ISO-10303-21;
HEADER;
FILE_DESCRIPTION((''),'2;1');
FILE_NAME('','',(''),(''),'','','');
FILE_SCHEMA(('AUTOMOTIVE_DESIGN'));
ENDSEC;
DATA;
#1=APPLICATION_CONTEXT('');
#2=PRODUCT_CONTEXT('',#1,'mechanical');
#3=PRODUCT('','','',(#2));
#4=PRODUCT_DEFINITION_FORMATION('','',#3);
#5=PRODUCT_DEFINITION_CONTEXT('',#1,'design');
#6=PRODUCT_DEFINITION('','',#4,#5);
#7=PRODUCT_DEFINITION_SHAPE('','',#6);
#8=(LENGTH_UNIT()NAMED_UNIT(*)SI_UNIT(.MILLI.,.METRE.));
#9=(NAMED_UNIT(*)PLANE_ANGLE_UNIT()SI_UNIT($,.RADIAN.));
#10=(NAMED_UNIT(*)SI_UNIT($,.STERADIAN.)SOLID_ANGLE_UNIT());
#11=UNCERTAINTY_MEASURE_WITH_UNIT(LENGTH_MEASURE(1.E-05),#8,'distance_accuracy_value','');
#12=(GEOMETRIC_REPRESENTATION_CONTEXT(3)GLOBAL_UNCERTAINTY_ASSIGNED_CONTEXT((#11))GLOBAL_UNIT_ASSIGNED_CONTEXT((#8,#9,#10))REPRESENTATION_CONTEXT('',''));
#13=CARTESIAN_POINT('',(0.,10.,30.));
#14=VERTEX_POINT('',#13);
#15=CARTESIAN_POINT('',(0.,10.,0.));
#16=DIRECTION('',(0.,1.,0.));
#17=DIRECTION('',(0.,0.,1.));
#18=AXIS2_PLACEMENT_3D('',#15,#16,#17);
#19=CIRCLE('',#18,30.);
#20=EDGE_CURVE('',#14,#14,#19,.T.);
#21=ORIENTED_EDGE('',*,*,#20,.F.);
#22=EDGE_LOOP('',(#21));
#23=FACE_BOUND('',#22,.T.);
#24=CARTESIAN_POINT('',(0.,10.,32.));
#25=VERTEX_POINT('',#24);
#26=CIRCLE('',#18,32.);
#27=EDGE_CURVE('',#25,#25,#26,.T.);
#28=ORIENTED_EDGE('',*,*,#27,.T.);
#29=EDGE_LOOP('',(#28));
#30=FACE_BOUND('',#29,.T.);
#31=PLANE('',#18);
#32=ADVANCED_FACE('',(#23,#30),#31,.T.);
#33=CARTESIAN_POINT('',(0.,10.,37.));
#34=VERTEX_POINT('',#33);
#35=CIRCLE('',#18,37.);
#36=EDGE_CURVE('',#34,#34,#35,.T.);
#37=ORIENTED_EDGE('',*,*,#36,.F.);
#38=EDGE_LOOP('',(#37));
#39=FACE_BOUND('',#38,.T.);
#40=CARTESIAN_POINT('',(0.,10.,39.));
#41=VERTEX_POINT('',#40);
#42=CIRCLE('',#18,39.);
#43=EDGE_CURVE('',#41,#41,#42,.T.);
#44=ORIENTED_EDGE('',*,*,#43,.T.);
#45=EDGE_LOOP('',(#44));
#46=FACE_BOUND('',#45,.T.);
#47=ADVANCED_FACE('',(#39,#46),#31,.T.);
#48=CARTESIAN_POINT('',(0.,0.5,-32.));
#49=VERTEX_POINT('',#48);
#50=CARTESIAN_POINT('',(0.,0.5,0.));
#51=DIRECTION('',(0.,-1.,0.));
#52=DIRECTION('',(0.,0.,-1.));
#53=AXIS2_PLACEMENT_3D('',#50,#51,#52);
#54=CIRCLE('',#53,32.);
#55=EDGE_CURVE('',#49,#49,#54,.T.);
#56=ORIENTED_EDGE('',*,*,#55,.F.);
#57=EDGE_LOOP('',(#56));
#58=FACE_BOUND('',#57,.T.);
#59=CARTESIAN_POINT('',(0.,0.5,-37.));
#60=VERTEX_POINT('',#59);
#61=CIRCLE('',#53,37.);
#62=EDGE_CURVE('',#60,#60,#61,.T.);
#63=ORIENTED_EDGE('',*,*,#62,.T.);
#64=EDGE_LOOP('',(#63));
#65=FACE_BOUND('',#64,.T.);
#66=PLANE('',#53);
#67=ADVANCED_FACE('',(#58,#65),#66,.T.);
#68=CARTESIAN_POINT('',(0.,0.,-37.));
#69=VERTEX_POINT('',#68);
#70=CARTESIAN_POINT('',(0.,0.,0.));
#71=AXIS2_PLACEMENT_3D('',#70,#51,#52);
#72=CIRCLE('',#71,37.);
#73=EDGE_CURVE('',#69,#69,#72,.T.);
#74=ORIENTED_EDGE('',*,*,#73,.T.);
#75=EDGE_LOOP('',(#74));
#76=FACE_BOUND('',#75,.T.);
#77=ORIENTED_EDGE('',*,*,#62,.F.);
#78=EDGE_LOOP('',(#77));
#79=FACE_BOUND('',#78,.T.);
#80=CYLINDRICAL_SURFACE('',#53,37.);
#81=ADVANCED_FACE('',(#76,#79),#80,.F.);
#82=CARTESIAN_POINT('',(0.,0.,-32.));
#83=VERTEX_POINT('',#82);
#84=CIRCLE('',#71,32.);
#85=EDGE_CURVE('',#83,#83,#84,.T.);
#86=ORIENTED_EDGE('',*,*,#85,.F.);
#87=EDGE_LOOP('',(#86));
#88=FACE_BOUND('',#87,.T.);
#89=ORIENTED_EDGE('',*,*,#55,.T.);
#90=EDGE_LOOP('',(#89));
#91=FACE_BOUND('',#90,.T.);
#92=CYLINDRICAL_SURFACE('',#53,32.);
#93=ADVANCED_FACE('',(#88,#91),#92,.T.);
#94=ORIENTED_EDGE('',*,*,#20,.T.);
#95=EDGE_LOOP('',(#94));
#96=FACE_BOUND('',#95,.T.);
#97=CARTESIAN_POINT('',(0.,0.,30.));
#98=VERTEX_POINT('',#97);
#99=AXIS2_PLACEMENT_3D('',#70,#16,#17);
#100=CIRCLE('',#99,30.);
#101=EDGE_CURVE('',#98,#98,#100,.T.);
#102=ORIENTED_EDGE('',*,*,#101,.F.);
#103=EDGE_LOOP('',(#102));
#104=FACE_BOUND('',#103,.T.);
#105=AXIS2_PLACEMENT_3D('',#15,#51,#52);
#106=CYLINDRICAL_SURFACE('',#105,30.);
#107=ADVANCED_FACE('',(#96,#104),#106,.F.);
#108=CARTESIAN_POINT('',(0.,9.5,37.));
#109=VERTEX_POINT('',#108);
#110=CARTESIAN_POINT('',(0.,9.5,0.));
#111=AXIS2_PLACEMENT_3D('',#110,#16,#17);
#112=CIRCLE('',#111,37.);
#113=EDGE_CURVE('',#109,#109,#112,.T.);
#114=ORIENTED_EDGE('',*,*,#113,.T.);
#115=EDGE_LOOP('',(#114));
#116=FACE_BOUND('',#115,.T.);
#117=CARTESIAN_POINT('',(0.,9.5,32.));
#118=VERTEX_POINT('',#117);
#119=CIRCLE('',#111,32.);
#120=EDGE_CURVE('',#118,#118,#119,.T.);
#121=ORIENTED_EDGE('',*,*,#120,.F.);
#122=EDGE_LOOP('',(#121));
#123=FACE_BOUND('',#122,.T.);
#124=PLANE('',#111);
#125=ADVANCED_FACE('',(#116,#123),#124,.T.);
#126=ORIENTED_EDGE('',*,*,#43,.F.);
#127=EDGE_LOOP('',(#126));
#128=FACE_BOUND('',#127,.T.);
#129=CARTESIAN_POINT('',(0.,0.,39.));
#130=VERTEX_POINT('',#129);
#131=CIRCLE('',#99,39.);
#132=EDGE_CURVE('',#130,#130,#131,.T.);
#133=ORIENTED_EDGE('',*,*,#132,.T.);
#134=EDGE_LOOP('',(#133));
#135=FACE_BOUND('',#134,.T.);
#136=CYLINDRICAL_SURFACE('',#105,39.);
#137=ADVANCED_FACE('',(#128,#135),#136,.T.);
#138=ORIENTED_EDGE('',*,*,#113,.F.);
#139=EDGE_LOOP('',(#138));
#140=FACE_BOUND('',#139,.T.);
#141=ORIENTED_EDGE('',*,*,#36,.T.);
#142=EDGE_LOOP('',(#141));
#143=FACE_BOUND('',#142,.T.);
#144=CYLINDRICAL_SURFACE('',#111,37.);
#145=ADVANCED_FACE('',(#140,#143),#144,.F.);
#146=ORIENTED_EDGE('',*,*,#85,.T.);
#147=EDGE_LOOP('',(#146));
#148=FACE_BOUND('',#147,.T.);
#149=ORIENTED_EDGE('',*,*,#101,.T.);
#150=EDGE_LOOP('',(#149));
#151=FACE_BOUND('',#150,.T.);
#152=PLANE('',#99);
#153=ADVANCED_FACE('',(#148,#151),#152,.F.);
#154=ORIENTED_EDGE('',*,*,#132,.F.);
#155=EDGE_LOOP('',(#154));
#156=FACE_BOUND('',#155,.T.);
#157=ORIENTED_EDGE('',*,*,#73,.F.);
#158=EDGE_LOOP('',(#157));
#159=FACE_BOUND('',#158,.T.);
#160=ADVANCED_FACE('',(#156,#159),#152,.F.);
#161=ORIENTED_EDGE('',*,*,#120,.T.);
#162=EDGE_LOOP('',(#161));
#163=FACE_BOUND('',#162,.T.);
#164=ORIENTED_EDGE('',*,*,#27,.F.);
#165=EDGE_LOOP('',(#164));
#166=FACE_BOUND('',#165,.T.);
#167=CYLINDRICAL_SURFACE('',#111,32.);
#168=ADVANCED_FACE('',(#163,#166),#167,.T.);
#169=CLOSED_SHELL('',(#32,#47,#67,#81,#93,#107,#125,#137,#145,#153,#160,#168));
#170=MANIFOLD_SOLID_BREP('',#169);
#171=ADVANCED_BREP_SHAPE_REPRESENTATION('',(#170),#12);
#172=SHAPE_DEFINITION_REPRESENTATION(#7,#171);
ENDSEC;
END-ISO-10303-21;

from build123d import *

# Parameters (mm, degrees)
SKETCH1_R           = 39
SKETCH1_R_2         = 30
BOSS_EXTRUDE1_DEPTH = 10
SKETCH2_R           = 37
SKETCH2_R_2         = 32
CUT_EXTRUDE1_DEPTH  = 0.5
CUT_EXTRUDE2_START  = -0.5
SKETCH3_R           = 37
SKETCH3_R_2         = 32
CUT_EXTRUDE2_DEPTH  = 0.5


with BuildPart() as part:
    # Sketch1 → Boss-Extrude1 (new body)
    with BuildSketch(Plane(origin=(0, 0, 0), x_dir=(1, 0, 0), z_dir=(0, 1, 0))):
        with Locations(Location((0, 0, 0), (0, 0, 270))):
            Circle(SKETCH1_R)
        with Locations(Location((0, 0, 0), (0, 0, 270))):
            Circle(SKETCH1_R_2, mode=Mode.SUBTRACT)
    extrude(amount=BOSS_EXTRUDE1_DEPTH)

    # Sketch2 → Cut-Extrude1 (cut)
    with BuildSketch(Plane(origin=(0, 10, 0), x_dir=(1, 0, 0), z_dir=(0, 1, 0))):
        with Locations(Location((0, 0, 0), (0, 0, 270))):
            Circle(SKETCH2_R)
        with Locations(Location((0, 0, 0), (0, 0, 270))):
            Circle(SKETCH2_R_2, mode=Mode.SUBTRACT)
    extrude(amount=-CUT_EXTRUDE1_DEPTH, mode=Mode.SUBTRACT)

    # Sketch3 → Cut-Extrude2 (cut)
    with BuildSketch(Plane.XZ.offset(CUT_EXTRUDE2_START)):
        with Locations(Location((0, 0, 0), (0, 0, 90))):
            Circle(SKETCH3_R)
        with Locations(Location((0, 0, 0), (0, 0, 90))):
            Circle(SKETCH3_R_2, mode=Mode.SUBTRACT)
    extrude(amount=CUT_EXTRUDE2_DEPTH, mode=Mode.SUBTRACT)


solid = part.part
